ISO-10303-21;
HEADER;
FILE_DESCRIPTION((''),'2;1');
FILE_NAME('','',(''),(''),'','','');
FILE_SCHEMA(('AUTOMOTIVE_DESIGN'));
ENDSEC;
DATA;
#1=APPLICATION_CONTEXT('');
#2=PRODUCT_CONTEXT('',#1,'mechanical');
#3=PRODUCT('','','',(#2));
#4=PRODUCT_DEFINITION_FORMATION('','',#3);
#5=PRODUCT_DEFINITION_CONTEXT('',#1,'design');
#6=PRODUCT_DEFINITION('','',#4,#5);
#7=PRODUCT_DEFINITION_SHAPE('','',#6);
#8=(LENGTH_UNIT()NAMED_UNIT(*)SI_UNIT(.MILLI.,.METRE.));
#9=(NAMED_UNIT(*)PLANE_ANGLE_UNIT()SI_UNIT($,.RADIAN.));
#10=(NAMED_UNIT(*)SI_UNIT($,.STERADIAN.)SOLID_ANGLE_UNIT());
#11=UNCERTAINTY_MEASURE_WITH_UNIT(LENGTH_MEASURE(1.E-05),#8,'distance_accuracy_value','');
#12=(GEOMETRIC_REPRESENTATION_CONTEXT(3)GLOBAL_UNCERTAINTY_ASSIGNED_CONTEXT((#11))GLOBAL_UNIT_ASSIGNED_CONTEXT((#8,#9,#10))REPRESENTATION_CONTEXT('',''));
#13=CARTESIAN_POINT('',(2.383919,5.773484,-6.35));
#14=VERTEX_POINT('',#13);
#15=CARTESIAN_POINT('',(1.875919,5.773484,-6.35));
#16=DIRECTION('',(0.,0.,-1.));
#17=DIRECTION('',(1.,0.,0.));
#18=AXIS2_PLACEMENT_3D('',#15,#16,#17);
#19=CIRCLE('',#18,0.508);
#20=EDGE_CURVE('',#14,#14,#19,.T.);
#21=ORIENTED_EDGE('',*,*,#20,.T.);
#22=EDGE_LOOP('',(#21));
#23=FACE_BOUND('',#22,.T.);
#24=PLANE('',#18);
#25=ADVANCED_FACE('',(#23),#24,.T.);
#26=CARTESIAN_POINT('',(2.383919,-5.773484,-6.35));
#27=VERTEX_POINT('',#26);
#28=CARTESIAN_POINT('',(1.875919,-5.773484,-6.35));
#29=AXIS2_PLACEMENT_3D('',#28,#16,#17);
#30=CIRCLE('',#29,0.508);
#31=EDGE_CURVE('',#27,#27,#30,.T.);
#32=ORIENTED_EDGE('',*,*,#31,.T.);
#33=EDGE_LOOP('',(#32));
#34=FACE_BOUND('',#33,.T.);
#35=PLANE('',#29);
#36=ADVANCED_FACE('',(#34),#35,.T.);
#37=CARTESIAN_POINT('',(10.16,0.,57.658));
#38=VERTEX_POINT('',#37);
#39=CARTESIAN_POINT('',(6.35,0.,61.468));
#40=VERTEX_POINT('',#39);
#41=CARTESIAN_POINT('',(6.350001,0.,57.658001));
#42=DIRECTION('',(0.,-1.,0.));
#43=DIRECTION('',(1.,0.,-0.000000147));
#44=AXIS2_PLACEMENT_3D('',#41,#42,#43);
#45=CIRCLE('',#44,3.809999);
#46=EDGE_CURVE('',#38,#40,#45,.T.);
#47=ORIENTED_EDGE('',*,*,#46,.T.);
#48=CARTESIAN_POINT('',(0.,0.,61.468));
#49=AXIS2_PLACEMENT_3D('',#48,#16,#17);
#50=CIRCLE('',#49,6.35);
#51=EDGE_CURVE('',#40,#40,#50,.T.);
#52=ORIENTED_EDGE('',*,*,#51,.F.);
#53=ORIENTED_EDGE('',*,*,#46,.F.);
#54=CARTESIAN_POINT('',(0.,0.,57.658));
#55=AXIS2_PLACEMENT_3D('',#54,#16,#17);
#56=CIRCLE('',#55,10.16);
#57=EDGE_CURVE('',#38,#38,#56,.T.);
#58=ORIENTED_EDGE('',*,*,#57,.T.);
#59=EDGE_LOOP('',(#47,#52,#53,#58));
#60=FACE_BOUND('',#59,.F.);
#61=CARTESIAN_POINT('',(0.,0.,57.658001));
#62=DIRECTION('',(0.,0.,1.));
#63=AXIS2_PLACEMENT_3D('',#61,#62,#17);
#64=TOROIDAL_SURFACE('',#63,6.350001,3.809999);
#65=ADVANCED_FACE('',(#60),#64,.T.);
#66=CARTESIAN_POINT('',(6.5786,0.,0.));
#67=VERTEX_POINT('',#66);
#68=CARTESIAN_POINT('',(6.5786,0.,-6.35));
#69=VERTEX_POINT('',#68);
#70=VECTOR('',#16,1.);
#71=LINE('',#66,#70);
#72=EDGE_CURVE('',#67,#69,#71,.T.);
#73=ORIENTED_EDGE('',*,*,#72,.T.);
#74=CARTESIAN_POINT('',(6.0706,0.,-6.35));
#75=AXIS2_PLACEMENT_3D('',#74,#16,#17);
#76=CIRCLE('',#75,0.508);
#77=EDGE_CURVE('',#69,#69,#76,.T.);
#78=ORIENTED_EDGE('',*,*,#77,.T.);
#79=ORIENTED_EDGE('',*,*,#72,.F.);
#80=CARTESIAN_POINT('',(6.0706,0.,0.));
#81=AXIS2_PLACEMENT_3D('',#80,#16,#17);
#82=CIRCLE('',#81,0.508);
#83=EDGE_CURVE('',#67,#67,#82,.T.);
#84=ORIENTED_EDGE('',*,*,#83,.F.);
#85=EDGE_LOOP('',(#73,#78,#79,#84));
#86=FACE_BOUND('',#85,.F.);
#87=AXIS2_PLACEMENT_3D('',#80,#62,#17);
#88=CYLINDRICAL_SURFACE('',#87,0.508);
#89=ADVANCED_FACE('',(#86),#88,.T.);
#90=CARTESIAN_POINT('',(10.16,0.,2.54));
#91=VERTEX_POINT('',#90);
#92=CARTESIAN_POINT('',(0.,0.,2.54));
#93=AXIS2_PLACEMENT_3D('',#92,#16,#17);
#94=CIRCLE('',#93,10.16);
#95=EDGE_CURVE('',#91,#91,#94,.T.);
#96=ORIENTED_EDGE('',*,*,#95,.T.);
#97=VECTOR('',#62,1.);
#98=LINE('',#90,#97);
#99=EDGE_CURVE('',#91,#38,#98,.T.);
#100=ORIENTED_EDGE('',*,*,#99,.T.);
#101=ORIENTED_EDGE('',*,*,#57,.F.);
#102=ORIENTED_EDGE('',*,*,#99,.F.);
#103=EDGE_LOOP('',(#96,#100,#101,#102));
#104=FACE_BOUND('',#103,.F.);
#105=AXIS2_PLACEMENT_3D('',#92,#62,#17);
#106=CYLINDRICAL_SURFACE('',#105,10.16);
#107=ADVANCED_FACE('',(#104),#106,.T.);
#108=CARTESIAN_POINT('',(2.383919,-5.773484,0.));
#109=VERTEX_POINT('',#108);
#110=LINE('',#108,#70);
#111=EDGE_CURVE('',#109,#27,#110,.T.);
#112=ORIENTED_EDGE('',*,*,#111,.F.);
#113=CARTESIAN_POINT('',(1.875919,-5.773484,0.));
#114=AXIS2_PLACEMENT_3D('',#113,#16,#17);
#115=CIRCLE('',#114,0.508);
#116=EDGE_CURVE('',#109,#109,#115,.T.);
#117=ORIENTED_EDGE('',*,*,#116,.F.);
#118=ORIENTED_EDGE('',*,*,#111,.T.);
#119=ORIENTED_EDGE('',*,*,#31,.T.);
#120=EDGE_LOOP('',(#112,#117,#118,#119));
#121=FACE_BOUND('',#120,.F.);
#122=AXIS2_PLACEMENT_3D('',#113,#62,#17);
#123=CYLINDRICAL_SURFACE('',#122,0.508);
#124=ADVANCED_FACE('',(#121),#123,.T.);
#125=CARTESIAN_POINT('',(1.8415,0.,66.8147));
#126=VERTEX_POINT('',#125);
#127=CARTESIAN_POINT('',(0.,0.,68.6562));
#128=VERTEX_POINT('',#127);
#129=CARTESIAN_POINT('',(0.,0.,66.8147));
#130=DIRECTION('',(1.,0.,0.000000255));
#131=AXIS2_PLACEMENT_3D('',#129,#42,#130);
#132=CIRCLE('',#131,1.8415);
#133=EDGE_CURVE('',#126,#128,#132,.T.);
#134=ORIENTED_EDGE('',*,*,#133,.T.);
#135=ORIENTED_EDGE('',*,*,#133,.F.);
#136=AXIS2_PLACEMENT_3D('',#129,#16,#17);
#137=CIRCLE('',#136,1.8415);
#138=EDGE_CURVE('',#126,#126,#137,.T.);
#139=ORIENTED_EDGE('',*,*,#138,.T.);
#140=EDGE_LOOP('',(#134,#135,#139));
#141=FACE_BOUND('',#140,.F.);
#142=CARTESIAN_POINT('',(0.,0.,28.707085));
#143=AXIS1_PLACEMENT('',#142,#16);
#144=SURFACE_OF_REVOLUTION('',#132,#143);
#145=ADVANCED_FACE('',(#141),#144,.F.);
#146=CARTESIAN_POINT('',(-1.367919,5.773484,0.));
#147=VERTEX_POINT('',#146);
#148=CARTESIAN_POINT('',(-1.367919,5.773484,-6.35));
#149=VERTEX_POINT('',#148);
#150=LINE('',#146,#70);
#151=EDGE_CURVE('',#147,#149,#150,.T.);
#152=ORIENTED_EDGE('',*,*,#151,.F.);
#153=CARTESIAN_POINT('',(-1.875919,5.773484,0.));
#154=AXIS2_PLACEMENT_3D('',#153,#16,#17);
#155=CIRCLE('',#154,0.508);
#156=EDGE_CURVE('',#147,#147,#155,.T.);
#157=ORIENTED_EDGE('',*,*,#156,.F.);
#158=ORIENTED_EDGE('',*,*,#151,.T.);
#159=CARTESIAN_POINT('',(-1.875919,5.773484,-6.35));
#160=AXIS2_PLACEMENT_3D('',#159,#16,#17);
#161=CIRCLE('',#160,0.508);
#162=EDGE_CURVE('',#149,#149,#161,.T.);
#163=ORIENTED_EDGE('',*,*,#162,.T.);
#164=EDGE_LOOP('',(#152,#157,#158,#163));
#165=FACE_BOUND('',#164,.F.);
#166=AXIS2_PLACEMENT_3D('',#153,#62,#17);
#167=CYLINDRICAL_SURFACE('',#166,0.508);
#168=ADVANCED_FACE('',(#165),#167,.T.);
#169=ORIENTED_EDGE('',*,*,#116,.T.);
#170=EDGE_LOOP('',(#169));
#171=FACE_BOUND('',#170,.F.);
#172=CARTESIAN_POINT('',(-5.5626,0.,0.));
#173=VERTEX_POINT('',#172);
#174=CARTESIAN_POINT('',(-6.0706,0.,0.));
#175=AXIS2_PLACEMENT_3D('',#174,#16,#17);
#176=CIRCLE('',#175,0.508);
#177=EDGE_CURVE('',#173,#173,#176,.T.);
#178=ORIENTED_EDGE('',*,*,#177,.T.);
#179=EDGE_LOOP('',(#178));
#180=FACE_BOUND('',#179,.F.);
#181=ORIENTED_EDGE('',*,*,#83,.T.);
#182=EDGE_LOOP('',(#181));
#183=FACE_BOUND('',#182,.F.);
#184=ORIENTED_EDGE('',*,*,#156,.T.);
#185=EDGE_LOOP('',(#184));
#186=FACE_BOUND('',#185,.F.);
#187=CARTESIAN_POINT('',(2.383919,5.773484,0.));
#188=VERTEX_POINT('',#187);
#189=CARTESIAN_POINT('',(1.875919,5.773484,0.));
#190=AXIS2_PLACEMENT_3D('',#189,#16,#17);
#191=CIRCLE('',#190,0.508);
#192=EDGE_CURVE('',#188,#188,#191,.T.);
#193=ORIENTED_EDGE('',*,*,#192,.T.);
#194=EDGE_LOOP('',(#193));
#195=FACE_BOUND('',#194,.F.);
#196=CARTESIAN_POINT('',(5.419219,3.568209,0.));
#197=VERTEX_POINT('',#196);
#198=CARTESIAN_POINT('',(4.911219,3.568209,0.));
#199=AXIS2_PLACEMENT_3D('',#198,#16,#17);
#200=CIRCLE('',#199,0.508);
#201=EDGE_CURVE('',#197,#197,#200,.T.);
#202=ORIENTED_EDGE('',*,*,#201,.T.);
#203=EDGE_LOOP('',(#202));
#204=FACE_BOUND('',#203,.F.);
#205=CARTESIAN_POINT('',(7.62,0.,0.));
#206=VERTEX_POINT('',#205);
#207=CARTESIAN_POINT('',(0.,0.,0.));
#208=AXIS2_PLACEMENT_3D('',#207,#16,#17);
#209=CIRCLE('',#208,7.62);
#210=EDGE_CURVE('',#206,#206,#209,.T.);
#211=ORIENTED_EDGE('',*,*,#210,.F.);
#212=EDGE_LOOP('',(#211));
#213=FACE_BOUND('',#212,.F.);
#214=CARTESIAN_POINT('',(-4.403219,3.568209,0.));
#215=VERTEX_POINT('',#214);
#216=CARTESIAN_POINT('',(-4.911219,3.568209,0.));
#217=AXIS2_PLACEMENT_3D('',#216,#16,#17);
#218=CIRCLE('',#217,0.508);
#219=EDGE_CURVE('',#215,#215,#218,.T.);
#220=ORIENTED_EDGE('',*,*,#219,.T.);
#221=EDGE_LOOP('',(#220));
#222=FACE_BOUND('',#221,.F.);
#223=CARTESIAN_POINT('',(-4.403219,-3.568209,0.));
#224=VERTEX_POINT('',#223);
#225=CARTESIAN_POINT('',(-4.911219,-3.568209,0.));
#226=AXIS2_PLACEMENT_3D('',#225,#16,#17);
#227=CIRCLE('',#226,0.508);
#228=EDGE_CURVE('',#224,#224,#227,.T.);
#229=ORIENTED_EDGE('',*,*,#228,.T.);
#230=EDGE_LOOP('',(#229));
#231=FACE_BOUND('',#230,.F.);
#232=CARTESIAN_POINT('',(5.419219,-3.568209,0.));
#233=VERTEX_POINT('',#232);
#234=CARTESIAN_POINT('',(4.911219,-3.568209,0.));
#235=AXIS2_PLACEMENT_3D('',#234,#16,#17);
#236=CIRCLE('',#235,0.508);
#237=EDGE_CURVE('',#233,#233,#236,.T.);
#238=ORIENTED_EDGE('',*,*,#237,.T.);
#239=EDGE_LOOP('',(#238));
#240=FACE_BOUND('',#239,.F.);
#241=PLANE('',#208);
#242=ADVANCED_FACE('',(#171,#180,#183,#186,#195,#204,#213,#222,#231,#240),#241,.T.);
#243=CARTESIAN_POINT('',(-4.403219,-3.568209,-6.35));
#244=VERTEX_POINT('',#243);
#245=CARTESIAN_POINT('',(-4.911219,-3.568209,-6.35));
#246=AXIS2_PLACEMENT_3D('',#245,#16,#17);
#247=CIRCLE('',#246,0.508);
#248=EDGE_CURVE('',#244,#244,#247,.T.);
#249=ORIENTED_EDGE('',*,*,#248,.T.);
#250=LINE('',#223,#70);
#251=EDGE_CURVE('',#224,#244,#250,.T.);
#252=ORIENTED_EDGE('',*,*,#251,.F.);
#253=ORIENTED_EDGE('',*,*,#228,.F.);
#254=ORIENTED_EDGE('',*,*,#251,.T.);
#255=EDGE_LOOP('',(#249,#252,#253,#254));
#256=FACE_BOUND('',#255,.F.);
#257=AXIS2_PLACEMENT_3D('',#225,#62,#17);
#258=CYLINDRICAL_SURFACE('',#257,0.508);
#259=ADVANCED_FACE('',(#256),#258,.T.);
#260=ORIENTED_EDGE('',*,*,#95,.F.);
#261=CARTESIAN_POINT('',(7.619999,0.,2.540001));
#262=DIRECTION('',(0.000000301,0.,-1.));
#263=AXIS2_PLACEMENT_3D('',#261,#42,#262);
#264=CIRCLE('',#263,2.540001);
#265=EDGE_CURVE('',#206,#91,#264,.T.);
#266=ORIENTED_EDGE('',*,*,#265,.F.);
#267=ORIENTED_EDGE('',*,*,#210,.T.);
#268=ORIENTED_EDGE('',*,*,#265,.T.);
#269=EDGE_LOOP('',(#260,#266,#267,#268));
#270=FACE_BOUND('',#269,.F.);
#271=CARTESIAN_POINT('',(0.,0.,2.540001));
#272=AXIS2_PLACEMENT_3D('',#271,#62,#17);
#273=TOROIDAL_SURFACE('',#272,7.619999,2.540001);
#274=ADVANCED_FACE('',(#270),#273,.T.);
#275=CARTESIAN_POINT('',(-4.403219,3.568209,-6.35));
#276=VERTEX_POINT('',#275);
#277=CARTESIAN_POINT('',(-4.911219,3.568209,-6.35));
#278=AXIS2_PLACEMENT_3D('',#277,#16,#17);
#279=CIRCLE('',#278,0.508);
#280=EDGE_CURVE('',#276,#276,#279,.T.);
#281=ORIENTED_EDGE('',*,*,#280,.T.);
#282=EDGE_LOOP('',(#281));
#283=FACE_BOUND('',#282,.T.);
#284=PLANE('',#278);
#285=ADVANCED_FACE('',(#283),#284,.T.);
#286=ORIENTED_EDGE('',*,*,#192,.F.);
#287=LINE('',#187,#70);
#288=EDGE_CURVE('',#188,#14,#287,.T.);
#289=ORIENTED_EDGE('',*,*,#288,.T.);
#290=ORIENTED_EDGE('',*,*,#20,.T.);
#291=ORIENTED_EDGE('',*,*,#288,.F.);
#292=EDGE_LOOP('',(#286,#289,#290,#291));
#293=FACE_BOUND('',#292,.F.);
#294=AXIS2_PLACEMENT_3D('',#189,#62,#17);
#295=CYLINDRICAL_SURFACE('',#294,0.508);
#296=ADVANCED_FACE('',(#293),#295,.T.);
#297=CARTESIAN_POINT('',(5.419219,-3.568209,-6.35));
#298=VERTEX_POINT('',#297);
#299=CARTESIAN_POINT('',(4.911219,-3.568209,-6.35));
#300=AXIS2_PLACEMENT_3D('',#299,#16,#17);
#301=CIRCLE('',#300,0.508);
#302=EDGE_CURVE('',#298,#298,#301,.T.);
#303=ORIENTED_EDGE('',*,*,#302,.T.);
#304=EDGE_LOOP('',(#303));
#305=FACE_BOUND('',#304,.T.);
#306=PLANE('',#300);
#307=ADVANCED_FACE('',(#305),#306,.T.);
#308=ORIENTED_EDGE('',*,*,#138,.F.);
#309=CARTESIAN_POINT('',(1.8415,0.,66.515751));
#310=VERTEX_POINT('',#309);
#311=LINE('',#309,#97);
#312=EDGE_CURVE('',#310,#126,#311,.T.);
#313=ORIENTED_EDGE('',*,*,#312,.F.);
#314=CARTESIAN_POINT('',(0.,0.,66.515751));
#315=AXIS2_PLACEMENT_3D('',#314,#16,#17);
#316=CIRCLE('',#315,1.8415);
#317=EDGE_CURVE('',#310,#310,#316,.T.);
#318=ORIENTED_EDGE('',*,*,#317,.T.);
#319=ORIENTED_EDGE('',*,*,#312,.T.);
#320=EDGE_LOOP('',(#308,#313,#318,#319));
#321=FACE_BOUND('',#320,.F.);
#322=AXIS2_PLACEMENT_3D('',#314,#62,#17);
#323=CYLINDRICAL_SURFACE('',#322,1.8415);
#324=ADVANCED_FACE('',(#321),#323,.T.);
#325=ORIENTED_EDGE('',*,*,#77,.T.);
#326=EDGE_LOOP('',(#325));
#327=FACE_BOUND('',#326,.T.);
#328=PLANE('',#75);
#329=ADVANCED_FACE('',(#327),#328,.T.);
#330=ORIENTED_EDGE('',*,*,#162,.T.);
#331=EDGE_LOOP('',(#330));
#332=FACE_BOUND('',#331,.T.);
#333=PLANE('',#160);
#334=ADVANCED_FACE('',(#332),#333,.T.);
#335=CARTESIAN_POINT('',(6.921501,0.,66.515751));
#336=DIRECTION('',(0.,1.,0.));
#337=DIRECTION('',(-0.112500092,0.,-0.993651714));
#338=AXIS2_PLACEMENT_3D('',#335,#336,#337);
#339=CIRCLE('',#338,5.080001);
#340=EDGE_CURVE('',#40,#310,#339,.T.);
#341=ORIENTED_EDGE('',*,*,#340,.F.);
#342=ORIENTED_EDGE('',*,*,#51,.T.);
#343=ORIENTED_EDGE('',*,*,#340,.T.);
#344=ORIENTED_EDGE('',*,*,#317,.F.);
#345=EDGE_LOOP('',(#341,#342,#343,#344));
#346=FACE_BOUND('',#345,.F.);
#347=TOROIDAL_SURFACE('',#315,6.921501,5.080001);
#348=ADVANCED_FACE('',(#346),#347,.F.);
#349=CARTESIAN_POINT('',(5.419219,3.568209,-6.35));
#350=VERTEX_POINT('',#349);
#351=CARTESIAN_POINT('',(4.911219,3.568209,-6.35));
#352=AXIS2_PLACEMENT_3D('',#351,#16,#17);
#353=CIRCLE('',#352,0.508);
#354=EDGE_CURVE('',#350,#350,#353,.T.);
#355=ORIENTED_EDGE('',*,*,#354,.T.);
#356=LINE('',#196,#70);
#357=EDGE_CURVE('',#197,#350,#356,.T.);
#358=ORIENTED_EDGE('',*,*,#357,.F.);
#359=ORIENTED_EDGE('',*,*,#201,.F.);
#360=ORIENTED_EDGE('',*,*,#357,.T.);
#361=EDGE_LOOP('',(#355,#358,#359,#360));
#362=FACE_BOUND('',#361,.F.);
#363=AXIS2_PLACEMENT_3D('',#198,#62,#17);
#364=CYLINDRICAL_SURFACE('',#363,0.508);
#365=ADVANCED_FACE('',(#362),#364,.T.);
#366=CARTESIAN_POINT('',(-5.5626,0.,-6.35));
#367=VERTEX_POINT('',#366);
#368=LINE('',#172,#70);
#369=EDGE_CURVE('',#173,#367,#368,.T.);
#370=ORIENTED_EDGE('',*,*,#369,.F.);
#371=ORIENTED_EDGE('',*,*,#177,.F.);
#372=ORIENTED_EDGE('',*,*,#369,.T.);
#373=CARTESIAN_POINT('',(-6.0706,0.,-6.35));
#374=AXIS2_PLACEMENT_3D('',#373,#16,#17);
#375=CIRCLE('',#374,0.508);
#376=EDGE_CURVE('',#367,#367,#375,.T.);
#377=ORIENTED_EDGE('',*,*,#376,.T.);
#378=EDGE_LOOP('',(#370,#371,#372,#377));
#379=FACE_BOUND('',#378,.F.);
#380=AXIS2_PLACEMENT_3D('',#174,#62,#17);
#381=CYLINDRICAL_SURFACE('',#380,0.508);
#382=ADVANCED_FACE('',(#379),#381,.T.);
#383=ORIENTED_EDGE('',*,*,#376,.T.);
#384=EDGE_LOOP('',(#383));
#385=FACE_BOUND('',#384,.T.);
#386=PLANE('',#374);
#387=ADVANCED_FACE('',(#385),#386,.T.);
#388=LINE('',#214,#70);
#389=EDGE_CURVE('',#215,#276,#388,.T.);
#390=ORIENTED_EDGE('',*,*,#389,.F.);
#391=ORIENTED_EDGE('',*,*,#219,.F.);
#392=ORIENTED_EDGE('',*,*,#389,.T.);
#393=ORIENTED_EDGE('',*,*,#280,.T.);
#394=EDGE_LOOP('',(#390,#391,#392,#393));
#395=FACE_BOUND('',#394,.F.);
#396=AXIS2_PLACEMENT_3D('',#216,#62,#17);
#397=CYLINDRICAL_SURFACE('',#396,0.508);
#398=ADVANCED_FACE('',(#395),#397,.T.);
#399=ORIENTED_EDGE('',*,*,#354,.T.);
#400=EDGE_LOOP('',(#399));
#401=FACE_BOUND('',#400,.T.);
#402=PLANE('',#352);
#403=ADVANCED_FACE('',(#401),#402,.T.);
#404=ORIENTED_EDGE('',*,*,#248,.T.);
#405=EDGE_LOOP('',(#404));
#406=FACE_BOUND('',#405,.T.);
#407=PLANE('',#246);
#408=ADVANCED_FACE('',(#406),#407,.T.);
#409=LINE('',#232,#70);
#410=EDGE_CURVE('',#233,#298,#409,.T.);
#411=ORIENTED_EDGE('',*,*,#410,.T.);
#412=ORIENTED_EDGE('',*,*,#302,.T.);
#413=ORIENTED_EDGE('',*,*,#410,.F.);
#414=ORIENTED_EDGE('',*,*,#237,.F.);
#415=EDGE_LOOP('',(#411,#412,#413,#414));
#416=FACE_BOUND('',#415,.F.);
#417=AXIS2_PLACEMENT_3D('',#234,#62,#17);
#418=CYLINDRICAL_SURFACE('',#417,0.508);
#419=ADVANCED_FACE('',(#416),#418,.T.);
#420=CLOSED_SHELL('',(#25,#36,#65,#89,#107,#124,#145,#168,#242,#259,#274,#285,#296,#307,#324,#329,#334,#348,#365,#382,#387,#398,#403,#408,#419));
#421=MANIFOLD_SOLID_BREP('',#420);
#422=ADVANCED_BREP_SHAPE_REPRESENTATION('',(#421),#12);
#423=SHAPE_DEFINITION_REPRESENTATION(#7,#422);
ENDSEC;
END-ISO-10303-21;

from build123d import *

# Parameters (mm, degrees)
F2_R     = 0.508
F3_DEPTH = 6.35


with BuildPart() as f1:
    # F0 (on Front) → F1 (revolve)
    with BuildSketch(Plane.XZ):
        with BuildLine():
            Line((0, 68.6562), (0, 0))
            Line((0, 0), (7.62, 0))
            ThreePointArc((7.62, 0), (9.416051, 0.743949), (10.16, 2.54))
            Line((10.16, 2.54), (10.16, 57.658))
            ThreePointArc((10.16, 57.658), (9.044077, 60.352077), (6.35, 61.468))
            ThreePointArc((6.35, 61.468), (3.132726, 63.131731), (1.8415, 66.515751))
            Line((1.8415, 66.515751), (1.8415, 66.8147))
            ThreePointArc((1.8415, 66.8147), (1.302137, 68.116837), (0, 68.6562))
        make_face()
    revolve(axis=Axis((0, 0, 28.707085), (0, 0, -1)))

    # F2 (on face) → F3 (join)
    with BuildSketch(Plane(origin=(0, 0, 0), x_dir=(1, 0, 0), z_dir=(0, 0, -1))):
        with Locations((-6.0706, 0)):
            Circle(F2_R)
        with Locations((6.0706, 0)):
            Circle(F2_R)
        with Locations((-4.911219, -3.568209)):
            Circle(F2_R)
        with Locations((-1.875919, -5.773484)):
            Circle(F2_R)
        with Locations((1.875919, -5.773484)):
            Circle(F2_R)
        with Locations((4.911219, -3.568209)):
            Circle(F2_R)
        with Locations((4.911219, 3.568209)):
            Circle(F2_R)
        with Locations((1.875919, 5.773484)):
            Circle(F2_R)
        with Locations((-4.911219, 3.568209)):
            Circle(F2_R)
    extrude(amount=F3_DEPTH)


solid = f1.part
